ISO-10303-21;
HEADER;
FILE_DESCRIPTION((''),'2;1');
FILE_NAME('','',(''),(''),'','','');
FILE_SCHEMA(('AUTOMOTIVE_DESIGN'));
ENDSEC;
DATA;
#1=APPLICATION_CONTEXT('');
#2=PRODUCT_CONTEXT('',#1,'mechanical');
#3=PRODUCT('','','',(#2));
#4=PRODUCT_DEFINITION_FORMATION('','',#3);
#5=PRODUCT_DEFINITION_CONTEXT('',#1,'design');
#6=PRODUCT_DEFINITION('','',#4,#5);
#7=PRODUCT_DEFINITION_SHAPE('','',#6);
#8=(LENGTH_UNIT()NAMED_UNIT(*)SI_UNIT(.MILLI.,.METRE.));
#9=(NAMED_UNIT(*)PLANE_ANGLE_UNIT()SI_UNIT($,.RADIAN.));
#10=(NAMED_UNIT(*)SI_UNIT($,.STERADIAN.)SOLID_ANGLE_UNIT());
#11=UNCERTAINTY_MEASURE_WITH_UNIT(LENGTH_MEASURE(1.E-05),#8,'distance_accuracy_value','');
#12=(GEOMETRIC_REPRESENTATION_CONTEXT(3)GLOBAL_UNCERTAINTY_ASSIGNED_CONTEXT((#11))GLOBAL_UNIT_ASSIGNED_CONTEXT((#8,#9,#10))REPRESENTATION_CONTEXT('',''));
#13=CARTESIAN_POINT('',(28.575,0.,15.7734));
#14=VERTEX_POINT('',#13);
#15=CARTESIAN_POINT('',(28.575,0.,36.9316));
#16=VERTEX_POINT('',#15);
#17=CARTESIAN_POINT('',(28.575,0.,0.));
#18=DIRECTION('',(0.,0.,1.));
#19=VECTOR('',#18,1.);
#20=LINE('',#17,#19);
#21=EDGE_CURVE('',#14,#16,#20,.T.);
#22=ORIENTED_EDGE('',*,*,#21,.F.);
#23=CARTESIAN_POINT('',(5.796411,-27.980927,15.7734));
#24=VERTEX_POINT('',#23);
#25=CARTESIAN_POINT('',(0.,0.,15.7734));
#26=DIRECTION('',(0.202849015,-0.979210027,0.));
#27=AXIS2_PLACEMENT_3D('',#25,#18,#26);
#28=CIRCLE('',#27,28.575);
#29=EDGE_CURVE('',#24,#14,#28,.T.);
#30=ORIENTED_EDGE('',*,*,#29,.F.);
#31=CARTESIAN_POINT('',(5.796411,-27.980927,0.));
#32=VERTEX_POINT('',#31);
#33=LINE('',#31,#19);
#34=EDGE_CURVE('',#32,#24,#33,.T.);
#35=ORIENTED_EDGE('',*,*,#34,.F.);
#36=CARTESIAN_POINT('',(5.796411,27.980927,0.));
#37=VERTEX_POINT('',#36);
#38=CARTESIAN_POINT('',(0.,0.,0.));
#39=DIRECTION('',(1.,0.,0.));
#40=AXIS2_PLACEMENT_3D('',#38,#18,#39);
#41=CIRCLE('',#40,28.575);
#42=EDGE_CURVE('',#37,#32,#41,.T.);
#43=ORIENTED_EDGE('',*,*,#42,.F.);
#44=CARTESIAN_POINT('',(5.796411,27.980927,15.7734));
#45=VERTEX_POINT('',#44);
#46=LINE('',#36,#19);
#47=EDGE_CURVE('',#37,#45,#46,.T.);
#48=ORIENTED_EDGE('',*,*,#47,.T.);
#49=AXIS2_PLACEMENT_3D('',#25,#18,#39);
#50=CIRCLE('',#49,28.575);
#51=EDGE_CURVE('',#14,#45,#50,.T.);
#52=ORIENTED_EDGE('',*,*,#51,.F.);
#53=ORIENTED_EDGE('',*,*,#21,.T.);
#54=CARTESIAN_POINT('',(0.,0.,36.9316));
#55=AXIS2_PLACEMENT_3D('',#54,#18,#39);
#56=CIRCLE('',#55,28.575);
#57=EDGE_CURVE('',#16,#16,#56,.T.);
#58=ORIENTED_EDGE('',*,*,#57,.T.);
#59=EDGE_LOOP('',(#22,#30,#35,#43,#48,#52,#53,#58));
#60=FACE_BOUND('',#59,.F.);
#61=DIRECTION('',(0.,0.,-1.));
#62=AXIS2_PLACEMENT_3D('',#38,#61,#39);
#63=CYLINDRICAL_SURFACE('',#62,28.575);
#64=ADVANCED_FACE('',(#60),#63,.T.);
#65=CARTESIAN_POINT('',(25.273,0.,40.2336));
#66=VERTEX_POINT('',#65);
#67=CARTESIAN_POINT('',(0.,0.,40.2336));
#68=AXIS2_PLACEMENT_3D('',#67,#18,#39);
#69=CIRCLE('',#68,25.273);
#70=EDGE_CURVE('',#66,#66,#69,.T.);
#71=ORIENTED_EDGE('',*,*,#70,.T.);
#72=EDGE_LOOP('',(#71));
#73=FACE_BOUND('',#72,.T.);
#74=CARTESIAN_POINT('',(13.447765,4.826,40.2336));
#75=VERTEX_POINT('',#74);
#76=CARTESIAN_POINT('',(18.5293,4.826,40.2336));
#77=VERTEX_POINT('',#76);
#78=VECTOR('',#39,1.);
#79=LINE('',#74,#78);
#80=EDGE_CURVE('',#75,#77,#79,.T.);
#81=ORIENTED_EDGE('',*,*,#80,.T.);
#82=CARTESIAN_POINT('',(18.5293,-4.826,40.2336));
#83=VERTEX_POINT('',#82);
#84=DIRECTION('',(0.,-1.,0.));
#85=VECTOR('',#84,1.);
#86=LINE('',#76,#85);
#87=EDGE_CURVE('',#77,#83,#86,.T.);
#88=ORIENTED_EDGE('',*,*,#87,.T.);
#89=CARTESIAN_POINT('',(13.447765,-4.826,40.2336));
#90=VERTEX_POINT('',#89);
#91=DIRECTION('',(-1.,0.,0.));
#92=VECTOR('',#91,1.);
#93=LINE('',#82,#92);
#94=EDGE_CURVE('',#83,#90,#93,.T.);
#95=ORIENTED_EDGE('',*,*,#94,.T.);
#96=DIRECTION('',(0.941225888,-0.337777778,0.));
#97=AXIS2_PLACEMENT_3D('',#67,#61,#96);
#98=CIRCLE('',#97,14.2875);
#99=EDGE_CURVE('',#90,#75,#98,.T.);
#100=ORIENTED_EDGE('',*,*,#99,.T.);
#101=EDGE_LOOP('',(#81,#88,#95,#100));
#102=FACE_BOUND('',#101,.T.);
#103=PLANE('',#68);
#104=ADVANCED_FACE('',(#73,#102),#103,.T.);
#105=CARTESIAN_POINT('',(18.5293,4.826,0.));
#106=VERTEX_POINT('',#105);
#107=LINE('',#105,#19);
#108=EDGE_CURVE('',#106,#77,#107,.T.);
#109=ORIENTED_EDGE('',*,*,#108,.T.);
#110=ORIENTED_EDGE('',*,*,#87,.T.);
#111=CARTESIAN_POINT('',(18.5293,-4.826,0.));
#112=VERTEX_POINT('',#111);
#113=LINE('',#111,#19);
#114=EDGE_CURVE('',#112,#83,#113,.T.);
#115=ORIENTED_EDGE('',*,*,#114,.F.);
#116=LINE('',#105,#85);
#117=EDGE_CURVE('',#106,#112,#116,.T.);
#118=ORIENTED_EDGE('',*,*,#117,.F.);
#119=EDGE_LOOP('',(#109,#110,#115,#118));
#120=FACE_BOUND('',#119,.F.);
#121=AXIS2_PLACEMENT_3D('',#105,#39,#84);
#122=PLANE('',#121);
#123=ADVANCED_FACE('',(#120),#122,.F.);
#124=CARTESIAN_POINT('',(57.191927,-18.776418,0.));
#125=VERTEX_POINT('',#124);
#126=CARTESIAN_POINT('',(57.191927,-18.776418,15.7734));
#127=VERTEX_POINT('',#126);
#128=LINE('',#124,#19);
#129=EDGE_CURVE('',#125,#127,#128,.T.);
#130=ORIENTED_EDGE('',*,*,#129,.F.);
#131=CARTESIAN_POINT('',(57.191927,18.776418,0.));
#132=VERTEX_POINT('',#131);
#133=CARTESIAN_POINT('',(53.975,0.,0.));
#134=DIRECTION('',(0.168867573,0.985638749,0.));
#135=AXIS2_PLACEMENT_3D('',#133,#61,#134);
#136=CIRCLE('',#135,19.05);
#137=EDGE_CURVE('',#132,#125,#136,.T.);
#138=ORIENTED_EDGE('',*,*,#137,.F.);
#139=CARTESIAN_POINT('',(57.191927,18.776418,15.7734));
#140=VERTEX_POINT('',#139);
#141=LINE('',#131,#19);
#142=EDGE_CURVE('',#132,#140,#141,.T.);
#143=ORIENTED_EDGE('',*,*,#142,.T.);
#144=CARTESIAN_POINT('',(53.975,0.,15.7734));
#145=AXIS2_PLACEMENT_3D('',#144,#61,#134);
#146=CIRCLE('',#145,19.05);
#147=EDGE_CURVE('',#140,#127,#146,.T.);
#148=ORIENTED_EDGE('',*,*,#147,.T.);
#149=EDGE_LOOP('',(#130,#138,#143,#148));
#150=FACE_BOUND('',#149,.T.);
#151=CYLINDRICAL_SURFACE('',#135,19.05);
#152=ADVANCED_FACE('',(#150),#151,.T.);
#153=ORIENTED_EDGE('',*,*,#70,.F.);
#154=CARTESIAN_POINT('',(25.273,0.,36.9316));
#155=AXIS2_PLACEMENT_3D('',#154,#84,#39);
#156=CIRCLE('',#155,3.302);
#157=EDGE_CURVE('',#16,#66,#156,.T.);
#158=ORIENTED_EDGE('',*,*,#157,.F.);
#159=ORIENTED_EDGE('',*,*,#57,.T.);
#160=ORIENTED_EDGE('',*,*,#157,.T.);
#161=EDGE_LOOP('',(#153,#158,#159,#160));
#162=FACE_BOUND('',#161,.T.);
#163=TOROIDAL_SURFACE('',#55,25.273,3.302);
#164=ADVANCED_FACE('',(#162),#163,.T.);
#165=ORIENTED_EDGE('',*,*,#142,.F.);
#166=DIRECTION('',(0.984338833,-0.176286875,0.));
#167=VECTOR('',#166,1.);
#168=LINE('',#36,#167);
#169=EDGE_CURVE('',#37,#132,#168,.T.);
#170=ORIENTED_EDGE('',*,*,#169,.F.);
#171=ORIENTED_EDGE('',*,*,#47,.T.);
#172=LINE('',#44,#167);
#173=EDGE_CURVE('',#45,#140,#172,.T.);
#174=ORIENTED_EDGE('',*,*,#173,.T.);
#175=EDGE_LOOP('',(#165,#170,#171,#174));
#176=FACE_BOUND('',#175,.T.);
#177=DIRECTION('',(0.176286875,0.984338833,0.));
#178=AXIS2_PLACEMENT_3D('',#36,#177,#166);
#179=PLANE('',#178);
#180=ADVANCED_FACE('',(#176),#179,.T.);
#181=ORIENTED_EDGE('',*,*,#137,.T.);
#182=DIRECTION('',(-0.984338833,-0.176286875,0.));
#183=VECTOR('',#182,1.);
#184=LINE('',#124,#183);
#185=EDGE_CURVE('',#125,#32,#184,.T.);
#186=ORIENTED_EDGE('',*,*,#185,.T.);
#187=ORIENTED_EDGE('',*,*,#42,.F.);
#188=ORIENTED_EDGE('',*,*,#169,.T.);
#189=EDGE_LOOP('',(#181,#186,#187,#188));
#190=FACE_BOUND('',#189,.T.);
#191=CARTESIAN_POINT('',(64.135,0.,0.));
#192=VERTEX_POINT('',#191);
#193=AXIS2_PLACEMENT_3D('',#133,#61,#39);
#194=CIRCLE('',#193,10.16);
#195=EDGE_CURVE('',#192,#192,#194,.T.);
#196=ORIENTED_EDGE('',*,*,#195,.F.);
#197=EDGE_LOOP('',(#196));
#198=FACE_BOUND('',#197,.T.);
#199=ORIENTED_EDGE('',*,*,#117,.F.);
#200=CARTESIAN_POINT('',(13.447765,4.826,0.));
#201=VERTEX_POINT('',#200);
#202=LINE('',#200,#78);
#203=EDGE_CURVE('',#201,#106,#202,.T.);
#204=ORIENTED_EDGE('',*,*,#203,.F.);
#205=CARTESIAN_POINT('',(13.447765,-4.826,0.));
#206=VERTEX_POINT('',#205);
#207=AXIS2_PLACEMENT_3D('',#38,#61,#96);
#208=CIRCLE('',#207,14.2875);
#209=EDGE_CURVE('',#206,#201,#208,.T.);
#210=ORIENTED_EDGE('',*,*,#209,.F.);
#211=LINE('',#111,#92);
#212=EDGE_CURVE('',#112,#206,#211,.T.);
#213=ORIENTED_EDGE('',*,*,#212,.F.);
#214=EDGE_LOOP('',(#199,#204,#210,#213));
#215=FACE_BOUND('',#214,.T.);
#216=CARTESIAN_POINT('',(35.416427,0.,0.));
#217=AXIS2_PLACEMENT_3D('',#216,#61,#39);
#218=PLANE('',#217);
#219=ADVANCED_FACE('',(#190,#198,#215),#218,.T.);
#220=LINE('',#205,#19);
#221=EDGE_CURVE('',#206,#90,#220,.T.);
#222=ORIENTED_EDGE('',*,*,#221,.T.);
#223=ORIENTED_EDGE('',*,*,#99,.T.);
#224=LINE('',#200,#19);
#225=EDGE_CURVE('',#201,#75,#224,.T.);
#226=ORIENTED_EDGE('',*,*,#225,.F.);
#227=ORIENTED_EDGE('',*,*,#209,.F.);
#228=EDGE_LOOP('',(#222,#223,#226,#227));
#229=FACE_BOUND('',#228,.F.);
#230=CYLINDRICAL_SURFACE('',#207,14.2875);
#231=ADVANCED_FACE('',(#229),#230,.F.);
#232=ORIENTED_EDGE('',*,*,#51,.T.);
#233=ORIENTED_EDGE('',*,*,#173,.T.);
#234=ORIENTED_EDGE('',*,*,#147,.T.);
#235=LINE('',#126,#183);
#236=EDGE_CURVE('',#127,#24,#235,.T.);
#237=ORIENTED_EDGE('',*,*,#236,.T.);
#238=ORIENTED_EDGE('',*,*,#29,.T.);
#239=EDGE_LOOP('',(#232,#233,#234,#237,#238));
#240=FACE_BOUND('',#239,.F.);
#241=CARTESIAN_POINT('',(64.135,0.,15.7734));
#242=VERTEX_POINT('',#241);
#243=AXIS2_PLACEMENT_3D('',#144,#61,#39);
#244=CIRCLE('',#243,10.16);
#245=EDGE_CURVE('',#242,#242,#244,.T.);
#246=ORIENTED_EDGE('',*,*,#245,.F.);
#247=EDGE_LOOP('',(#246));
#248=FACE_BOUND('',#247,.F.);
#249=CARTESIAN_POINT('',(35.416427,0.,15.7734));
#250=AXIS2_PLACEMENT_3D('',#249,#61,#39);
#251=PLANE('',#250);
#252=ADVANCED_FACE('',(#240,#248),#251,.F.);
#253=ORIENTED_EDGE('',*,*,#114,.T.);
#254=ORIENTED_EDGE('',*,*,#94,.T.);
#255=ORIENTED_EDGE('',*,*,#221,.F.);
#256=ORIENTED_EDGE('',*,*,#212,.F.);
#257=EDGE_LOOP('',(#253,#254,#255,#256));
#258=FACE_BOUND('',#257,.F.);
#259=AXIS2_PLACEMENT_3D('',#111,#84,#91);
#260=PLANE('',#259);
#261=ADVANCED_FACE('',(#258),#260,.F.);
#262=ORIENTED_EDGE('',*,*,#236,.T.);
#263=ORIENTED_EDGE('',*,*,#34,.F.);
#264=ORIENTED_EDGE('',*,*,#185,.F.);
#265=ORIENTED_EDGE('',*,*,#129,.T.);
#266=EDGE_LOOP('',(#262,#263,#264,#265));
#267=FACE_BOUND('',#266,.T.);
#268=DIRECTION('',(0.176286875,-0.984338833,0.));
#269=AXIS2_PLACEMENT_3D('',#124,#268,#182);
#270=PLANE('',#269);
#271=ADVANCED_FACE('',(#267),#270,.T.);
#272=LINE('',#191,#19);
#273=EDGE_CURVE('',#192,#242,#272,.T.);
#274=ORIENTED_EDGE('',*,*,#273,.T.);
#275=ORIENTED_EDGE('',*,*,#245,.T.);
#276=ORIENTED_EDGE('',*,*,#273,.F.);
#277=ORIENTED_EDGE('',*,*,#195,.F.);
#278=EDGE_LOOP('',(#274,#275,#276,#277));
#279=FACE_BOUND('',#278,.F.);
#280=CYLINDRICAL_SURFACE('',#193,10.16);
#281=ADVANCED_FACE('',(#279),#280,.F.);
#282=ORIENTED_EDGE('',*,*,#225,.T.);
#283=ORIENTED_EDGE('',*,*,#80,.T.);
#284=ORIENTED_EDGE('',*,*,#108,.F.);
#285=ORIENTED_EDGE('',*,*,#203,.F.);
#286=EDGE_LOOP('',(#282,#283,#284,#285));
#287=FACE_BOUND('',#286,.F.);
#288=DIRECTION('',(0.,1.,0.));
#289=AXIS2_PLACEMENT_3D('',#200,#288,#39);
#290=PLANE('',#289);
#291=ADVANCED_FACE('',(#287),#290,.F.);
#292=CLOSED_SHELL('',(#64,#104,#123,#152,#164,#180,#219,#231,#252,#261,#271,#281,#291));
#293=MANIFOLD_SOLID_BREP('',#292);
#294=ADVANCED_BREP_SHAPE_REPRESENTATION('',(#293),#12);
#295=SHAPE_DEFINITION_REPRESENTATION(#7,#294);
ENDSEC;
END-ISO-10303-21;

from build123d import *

# Parameters (mm, degrees)
F0_R     = 28.575
F1_DEPTH = 40.2336
F2_R     = 3.302
F3_R     = 10.16
F4_DEPTH = 15.7734


with BuildPart() as f1:
    # F0 (on Top) → F1 (new body)
    with BuildSketch(Plane.XY):
        Circle(F0_R)
        with BuildLine():
            ThreePointArc((13.4477648793, -4.826), (-14.2875, 0), (13.4477648793, 4.826))
            Line((13.4477648793, 4.826), (18.5293, 4.826))
            Line((18.5293, 4.826), (18.5293, -4.826))
            Line((18.5293, -4.826), (13.4477648793, -4.826))
        make_face(mode=Mode.SUBTRACT)
    extrude(amount=F1_DEPTH)

    # F2
    f2_edges = [f1.edges().sort_by_distance(p)[0] for p in [
        (-28.575, 0, 40.2336),
    ]]
    fillet(f2_edges, radius=F2_R)

    # F3 (on face) → F4 (join)
    with BuildSketch(Plane(origin=(0, 0, 0), x_dir=(1, 0, 0), z_dir=(0, 0, -1))):
        with BuildLine():
            Line((5.7964106128, -27.9809265216), (57.1919272622, -18.7764181619))
            ThreePointArc((57.1919272622, -18.7764181619), (73.025, 0), (57.1919272622, 18.7764181619))
            Line((57.1919272622, 18.7764181619), (5.7964106128, 27.9809265216))
            ThreePointArc((5.7964106128, 27.9809265216), (22.1603594089, 18.0402077557), (28.575, 0))
            ThreePointArc((28.575, 0), (22.1603594089, -18.0402077557), (5.7964106128, -27.9809265216))
        make_face()
        with Locations((53.975, 0)):
            Circle(F3_R, mode=Mode.SUBTRACT)
    extrude(amount=-F4_DEPTH)


solid = f1.part
